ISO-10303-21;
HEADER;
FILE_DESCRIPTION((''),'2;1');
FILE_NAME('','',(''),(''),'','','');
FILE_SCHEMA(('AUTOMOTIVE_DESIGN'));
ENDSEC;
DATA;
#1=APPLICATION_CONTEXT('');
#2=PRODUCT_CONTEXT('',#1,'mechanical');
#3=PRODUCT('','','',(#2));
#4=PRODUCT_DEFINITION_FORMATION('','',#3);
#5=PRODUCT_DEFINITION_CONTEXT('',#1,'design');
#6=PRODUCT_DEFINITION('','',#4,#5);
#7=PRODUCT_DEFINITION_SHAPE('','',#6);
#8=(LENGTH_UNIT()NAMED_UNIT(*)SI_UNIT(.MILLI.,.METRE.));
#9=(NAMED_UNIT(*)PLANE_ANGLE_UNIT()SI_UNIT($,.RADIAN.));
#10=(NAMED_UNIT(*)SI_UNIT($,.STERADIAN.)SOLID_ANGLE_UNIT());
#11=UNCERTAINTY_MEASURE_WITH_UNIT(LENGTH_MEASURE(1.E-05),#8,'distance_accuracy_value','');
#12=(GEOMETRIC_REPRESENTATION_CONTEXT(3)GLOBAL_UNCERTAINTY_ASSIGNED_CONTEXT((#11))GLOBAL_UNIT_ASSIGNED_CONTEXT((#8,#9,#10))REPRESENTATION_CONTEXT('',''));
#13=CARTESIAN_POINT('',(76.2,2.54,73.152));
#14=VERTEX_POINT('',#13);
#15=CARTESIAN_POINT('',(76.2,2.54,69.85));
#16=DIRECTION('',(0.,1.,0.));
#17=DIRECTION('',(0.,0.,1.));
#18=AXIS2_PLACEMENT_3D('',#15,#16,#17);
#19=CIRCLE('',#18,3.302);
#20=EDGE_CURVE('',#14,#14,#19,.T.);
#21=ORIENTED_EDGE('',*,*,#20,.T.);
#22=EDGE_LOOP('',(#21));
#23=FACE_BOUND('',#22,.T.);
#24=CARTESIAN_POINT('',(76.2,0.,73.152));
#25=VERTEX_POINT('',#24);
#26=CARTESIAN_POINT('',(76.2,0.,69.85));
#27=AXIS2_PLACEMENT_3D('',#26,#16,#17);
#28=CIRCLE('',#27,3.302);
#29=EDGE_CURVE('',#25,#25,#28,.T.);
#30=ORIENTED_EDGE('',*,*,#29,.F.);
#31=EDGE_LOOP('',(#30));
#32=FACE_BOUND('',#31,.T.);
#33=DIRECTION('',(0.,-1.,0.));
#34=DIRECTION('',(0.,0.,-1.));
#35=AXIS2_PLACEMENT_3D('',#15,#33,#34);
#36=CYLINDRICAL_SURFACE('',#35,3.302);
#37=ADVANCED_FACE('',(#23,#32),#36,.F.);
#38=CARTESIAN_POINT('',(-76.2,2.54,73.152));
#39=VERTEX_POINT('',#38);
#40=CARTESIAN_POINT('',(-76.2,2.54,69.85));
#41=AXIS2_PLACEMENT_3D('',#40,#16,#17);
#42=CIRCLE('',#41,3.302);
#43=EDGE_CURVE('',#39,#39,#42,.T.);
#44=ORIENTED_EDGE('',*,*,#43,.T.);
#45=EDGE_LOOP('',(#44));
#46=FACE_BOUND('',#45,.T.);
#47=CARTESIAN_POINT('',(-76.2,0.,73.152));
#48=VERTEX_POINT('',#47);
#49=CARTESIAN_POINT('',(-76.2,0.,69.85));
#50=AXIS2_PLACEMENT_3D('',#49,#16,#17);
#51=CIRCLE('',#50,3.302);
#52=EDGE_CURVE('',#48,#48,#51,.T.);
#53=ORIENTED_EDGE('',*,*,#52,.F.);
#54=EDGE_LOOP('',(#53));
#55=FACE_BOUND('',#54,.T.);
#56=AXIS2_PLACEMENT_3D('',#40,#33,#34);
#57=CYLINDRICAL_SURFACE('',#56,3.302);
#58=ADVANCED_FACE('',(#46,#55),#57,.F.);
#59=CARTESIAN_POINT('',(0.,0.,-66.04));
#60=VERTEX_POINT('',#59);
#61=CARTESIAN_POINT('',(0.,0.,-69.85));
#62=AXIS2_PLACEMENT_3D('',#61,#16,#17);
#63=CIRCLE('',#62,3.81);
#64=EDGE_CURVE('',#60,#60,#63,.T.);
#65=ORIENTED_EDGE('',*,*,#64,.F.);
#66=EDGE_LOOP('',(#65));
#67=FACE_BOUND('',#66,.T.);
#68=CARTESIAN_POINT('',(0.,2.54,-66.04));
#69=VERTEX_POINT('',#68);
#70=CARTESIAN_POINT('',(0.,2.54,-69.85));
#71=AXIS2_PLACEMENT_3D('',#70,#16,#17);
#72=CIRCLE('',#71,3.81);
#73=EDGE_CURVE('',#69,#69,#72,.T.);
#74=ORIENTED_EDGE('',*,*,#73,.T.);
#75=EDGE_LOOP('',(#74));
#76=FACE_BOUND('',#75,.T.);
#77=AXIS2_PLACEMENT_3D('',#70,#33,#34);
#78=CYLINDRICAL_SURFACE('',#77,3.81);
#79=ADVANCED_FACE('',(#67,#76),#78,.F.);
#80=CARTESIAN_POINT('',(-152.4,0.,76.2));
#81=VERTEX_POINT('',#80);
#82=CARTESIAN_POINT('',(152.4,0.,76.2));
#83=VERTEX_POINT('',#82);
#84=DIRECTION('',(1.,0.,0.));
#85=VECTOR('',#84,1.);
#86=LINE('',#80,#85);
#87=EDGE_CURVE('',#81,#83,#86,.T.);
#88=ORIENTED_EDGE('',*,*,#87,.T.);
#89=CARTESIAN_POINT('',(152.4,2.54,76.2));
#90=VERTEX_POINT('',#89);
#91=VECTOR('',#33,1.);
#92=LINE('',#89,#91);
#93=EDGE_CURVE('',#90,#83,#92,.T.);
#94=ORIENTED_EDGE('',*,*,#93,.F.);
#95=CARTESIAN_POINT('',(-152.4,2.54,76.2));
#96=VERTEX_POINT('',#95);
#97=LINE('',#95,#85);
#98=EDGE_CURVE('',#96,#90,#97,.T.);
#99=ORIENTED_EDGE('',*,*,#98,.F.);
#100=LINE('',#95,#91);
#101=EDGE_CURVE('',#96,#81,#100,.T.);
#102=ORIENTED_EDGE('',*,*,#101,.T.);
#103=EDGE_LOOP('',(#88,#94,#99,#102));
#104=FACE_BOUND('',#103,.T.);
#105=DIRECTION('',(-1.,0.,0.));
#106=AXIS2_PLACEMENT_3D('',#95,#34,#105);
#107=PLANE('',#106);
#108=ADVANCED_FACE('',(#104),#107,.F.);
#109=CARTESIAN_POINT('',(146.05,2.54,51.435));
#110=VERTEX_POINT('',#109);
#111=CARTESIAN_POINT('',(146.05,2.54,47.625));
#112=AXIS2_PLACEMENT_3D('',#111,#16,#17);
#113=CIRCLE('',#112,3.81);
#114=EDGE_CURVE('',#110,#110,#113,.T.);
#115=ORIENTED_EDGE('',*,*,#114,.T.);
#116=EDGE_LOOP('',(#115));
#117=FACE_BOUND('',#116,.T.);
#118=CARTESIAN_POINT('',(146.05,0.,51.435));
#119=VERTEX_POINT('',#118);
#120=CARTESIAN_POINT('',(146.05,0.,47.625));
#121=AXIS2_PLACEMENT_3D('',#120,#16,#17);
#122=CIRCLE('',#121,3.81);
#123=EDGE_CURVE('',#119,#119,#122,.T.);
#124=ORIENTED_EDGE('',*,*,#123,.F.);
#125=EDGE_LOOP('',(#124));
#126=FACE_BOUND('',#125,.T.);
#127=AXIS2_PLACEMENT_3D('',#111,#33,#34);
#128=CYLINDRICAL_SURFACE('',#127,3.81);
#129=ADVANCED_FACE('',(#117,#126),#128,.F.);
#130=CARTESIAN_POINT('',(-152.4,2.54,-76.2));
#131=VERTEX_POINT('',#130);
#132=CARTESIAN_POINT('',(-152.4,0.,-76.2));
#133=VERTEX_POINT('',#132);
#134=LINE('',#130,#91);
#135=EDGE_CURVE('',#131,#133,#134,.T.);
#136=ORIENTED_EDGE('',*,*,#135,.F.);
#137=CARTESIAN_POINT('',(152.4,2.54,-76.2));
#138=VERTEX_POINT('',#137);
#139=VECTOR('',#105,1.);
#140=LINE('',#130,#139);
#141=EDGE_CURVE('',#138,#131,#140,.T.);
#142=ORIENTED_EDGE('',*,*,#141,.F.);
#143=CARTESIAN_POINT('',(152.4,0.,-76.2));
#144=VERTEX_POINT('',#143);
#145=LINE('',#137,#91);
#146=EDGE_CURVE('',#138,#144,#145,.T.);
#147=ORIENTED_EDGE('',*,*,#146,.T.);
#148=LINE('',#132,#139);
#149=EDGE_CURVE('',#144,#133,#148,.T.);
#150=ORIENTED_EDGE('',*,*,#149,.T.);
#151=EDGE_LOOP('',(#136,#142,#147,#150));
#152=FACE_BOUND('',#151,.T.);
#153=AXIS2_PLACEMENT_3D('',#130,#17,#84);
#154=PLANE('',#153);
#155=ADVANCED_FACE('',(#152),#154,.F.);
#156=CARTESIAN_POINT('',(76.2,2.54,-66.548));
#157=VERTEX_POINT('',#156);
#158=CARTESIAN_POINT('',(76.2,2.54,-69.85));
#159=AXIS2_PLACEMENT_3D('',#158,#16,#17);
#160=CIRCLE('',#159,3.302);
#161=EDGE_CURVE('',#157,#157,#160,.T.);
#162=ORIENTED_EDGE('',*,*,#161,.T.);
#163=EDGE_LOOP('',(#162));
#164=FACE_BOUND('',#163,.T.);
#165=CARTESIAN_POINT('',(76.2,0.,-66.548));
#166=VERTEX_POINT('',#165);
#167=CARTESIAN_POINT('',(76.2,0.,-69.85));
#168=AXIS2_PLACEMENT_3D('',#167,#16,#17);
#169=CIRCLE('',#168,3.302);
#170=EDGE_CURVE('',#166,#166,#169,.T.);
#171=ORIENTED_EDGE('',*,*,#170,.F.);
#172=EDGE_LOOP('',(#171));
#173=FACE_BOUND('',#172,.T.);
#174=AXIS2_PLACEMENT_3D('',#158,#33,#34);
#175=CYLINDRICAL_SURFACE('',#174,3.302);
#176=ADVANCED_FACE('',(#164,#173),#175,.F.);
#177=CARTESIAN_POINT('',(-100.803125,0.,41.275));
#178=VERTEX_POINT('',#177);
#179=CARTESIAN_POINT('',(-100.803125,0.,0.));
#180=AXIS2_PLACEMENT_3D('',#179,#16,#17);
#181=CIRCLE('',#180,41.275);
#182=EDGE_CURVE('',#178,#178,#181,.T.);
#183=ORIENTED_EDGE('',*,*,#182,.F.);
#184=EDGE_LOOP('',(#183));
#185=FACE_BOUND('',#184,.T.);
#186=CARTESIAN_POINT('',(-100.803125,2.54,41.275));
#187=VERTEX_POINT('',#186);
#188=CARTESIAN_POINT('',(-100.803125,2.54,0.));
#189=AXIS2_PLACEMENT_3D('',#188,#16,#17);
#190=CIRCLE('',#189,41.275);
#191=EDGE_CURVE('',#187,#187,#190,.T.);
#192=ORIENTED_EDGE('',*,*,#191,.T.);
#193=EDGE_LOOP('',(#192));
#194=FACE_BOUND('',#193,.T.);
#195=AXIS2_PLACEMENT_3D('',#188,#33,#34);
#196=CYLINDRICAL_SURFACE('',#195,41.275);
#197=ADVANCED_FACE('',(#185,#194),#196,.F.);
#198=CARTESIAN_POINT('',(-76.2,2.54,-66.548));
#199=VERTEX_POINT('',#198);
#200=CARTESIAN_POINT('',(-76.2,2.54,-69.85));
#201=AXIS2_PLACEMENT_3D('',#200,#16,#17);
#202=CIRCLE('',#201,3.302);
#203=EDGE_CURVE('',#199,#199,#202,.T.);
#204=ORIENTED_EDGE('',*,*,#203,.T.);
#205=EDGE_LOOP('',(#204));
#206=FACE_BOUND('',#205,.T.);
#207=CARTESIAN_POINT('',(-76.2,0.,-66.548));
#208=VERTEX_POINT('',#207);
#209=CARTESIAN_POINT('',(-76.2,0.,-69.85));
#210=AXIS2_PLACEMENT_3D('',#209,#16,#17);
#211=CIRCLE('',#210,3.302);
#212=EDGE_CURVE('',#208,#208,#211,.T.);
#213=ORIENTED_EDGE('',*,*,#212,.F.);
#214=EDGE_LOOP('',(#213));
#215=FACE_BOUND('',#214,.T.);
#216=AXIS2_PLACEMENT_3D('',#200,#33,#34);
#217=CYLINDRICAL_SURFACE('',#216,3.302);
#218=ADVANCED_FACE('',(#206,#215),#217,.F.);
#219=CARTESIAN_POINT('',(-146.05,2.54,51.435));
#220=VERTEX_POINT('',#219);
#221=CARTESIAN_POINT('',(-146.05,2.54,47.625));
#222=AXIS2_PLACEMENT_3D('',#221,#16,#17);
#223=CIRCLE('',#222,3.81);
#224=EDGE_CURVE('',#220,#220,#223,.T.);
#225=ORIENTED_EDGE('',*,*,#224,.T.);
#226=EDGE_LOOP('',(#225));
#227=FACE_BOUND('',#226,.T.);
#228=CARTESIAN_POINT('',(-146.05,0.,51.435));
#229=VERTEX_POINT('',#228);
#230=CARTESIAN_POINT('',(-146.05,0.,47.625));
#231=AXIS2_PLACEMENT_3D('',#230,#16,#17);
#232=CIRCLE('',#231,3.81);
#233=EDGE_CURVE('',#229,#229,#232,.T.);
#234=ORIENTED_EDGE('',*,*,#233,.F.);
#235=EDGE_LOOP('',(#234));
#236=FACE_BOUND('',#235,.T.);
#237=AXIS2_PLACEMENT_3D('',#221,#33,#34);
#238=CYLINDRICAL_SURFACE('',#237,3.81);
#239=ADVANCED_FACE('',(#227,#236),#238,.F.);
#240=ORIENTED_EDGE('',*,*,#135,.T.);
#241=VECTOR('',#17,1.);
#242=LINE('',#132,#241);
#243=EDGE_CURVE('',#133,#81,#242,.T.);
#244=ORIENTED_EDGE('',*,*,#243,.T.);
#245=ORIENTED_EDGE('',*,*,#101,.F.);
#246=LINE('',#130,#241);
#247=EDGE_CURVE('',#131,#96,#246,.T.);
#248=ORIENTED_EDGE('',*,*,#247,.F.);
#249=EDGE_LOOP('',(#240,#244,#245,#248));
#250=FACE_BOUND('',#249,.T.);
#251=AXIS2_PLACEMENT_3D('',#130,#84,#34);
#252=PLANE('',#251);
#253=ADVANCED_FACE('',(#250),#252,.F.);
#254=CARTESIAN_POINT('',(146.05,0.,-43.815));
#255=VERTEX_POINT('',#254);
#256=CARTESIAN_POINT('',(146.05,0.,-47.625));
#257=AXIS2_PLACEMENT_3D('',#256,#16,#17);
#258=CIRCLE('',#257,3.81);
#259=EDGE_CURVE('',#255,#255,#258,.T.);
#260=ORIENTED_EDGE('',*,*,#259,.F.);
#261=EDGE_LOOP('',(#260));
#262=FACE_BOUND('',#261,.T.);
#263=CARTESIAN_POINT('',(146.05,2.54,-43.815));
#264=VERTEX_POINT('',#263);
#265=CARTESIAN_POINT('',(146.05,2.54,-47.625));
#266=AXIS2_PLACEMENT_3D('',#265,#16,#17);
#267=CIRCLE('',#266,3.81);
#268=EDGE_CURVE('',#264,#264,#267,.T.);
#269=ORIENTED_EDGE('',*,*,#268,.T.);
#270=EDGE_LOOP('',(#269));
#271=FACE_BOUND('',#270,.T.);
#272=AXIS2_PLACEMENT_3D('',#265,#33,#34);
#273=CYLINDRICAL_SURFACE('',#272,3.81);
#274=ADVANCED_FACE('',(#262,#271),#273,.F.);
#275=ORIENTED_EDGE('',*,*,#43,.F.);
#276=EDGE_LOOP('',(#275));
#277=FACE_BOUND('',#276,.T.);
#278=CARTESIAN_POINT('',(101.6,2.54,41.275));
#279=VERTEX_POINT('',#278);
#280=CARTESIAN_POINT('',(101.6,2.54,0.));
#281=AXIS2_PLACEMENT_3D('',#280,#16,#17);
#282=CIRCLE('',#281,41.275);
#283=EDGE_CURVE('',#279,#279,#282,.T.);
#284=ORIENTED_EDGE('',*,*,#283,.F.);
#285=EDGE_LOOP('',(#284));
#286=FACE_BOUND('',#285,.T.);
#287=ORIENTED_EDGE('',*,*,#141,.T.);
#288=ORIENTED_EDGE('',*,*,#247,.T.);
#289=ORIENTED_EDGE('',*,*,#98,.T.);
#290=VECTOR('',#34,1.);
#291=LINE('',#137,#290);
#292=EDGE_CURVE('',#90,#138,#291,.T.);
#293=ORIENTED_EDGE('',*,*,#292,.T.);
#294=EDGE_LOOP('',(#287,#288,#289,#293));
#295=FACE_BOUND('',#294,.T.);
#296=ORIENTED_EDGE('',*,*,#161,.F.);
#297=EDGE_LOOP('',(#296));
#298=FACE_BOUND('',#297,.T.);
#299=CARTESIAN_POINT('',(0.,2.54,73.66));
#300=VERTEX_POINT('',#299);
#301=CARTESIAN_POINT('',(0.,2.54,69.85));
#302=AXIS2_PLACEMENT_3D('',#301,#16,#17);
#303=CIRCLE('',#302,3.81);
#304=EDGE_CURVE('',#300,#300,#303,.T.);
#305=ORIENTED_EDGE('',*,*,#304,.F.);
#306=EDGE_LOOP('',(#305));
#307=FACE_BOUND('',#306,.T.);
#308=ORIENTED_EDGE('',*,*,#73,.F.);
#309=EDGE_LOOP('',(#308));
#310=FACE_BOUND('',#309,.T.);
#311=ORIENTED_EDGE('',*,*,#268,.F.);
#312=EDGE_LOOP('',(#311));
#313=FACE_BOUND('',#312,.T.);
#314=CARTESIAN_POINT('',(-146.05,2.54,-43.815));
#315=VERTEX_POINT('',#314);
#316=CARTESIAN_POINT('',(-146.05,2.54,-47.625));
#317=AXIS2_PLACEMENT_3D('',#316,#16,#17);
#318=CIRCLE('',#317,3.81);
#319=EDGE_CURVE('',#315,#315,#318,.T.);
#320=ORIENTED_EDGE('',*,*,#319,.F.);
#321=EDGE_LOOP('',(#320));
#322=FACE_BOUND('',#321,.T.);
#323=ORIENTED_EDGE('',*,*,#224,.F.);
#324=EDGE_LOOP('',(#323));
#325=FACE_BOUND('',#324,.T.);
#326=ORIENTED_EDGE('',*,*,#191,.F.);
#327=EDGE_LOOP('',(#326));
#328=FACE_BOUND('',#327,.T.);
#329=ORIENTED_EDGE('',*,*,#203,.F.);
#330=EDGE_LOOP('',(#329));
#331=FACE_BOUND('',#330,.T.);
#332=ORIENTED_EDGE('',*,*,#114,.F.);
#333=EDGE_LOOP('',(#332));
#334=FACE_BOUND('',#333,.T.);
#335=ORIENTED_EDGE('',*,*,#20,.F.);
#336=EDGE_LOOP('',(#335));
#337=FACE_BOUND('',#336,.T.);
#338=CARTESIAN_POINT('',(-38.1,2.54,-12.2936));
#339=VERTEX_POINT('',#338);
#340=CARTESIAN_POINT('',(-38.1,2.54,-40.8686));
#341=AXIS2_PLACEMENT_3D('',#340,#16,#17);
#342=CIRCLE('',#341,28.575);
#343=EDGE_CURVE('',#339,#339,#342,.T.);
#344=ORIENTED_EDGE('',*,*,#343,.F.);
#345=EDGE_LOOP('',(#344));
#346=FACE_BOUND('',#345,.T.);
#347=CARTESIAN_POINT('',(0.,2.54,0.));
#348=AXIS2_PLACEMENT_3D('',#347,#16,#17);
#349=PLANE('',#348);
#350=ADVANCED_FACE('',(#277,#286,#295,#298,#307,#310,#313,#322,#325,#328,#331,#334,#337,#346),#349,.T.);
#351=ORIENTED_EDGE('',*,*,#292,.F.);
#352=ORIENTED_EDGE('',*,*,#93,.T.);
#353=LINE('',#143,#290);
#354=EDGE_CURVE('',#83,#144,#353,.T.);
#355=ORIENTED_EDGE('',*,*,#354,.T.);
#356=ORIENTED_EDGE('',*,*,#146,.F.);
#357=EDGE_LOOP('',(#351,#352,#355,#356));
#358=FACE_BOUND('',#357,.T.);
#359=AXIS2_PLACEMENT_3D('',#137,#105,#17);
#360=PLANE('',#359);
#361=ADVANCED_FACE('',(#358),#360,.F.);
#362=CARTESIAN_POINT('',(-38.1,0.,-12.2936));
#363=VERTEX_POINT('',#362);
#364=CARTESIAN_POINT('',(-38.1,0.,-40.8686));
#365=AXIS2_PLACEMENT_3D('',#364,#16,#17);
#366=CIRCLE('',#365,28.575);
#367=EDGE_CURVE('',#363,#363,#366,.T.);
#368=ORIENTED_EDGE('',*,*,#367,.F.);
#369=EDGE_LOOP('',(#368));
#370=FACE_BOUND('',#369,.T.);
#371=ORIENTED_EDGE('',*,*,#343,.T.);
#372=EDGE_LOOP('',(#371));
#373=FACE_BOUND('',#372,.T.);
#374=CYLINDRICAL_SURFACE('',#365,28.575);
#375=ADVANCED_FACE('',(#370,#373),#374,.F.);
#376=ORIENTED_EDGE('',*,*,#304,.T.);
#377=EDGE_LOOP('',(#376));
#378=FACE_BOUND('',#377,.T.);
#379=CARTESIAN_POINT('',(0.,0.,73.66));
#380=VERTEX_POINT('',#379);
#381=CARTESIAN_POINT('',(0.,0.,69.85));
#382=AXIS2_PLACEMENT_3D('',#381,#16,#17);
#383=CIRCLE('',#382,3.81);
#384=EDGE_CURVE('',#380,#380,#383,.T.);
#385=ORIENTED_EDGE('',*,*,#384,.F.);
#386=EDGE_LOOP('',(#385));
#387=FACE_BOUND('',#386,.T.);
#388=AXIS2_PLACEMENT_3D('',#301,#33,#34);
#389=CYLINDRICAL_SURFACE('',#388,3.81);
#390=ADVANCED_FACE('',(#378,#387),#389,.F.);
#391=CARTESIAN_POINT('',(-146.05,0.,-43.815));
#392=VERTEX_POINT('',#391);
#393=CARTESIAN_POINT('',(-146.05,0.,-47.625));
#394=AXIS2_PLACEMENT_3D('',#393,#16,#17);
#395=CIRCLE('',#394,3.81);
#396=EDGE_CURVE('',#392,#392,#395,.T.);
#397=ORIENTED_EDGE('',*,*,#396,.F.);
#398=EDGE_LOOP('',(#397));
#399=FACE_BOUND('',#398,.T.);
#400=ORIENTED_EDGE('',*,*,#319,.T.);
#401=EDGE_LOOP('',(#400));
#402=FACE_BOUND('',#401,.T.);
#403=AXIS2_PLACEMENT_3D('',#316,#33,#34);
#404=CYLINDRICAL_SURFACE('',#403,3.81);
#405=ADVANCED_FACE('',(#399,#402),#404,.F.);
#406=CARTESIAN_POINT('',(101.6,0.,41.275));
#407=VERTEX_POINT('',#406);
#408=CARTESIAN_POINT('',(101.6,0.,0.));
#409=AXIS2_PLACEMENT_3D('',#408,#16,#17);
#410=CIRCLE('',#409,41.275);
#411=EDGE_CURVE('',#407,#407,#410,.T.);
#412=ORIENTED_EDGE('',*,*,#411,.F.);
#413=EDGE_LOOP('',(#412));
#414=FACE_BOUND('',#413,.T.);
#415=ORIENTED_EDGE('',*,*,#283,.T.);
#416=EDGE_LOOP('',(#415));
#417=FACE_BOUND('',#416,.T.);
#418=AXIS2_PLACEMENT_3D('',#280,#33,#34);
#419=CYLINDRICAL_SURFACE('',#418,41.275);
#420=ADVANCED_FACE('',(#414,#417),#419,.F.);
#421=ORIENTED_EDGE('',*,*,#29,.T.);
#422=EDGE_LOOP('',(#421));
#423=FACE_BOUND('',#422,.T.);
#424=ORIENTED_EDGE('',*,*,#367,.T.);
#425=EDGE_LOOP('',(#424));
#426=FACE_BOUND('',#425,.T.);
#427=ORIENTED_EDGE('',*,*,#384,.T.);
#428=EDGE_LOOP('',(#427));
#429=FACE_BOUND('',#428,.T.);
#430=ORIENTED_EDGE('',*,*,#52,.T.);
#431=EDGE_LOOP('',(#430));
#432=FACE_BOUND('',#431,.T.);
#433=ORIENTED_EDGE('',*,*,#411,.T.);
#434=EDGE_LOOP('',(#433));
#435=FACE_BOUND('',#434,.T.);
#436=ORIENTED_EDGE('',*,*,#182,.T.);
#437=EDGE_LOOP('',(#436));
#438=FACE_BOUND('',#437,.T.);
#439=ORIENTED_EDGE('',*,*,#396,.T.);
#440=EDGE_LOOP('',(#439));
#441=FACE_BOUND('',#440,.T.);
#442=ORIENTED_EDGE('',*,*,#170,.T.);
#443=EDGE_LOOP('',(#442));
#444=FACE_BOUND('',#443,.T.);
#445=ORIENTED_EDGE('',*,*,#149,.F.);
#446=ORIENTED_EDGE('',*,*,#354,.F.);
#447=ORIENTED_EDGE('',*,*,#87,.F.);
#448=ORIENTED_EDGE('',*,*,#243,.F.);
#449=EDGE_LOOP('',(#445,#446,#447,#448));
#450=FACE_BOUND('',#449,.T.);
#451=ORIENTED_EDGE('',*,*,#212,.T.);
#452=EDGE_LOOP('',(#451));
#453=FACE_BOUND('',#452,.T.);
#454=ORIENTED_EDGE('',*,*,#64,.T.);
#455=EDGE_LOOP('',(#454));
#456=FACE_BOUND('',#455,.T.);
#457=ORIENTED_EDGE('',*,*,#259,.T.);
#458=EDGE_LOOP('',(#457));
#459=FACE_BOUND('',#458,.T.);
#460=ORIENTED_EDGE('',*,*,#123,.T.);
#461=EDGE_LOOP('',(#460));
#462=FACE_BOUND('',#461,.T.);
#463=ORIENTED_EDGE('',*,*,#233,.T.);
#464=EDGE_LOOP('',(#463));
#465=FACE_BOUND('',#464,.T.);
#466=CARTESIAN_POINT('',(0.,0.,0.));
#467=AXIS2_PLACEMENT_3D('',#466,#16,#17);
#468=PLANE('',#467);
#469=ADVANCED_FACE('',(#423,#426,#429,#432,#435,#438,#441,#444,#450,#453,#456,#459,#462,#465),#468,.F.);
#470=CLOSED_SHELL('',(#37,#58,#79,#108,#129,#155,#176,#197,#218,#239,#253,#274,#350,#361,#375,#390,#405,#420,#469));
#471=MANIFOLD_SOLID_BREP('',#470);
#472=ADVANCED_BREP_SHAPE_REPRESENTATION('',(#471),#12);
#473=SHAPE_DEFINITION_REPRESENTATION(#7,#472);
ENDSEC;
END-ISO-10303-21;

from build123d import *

# Parameters (mm, degrees)
SKETCH1_W           = 304.8
SKETCH1_H           = 152.4
SKETCH1_R           = 41.275
SKETCH1_R_2         = 3.81
SKETCH1_R_3         = 3.302
BOSS_EXTRUDE1_DEPTH = 2.54
SKETCH2_R           = 28.575
CUT_EXTRUDE1_DEPTH  = 3.54


with BuildPart() as part:
    # Sketch1 → Boss-Extrude1 (new body)
    with BuildSketch(Plane(origin=(0, 0, 0), x_dir=(1, 0, 0), z_dir=(0, 1, 0))):
        Rectangle(SKETCH1_W, SKETCH1_H)
        with Locations((-100.803124952, 0)):
            Circle(SKETCH1_R, mode=Mode.SUBTRACT)
        with Locations((101.6, 0)):
            Circle(SKETCH1_R, mode=Mode.SUBTRACT)
        with Locations((146.05, 47.625)):
            Circle(SKETCH1_R_2, mode=Mode.SUBTRACT)
        with Locations((76.2, 69.85)):
            Circle(SKETCH1_R_3, mode=Mode.SUBTRACT)
        with Locations((-146.05, 47.625)):
            Circle(SKETCH1_R_2, mode=Mode.SUBTRACT)
        with Locations((-146.05, -47.625)):
            Circle(SKETCH1_R_2, mode=Mode.SUBTRACT)
        with Locations((-76.2, -69.85)):
            Circle(SKETCH1_R_3, mode=Mode.SUBTRACT)
        with Locations((76.2, -69.85)):
            Circle(SKETCH1_R_3, mode=Mode.SUBTRACT)
        with Locations((146.05, -47.625)):
            Circle(SKETCH1_R_2, mode=Mode.SUBTRACT)
        with Locations((0, -69.85)):
            Circle(SKETCH1_R_2, mode=Mode.SUBTRACT)
        with Locations((-76.2, 69.85)):
            Circle(SKETCH1_R_3, mode=Mode.SUBTRACT)
        with Locations((0, 69.85)):
            Circle(SKETCH1_R_2, mode=Mode.SUBTRACT)
    extrude(amount=BOSS_EXTRUDE1_DEPTH)

    # Sketch2 → Cut-Extrude1 (cut, through all)
    with BuildSketch(Plane(origin=(0, 2.54, 0), x_dir=(1, 0, 0), z_dir=(0, 1, 0))):
        with Locations((-38.1, 40.8686)):
            Circle(SKETCH2_R)
    extrude(amount=-CUT_EXTRUDE1_DEPTH, mode=Mode.SUBTRACT)


solid = part.part
